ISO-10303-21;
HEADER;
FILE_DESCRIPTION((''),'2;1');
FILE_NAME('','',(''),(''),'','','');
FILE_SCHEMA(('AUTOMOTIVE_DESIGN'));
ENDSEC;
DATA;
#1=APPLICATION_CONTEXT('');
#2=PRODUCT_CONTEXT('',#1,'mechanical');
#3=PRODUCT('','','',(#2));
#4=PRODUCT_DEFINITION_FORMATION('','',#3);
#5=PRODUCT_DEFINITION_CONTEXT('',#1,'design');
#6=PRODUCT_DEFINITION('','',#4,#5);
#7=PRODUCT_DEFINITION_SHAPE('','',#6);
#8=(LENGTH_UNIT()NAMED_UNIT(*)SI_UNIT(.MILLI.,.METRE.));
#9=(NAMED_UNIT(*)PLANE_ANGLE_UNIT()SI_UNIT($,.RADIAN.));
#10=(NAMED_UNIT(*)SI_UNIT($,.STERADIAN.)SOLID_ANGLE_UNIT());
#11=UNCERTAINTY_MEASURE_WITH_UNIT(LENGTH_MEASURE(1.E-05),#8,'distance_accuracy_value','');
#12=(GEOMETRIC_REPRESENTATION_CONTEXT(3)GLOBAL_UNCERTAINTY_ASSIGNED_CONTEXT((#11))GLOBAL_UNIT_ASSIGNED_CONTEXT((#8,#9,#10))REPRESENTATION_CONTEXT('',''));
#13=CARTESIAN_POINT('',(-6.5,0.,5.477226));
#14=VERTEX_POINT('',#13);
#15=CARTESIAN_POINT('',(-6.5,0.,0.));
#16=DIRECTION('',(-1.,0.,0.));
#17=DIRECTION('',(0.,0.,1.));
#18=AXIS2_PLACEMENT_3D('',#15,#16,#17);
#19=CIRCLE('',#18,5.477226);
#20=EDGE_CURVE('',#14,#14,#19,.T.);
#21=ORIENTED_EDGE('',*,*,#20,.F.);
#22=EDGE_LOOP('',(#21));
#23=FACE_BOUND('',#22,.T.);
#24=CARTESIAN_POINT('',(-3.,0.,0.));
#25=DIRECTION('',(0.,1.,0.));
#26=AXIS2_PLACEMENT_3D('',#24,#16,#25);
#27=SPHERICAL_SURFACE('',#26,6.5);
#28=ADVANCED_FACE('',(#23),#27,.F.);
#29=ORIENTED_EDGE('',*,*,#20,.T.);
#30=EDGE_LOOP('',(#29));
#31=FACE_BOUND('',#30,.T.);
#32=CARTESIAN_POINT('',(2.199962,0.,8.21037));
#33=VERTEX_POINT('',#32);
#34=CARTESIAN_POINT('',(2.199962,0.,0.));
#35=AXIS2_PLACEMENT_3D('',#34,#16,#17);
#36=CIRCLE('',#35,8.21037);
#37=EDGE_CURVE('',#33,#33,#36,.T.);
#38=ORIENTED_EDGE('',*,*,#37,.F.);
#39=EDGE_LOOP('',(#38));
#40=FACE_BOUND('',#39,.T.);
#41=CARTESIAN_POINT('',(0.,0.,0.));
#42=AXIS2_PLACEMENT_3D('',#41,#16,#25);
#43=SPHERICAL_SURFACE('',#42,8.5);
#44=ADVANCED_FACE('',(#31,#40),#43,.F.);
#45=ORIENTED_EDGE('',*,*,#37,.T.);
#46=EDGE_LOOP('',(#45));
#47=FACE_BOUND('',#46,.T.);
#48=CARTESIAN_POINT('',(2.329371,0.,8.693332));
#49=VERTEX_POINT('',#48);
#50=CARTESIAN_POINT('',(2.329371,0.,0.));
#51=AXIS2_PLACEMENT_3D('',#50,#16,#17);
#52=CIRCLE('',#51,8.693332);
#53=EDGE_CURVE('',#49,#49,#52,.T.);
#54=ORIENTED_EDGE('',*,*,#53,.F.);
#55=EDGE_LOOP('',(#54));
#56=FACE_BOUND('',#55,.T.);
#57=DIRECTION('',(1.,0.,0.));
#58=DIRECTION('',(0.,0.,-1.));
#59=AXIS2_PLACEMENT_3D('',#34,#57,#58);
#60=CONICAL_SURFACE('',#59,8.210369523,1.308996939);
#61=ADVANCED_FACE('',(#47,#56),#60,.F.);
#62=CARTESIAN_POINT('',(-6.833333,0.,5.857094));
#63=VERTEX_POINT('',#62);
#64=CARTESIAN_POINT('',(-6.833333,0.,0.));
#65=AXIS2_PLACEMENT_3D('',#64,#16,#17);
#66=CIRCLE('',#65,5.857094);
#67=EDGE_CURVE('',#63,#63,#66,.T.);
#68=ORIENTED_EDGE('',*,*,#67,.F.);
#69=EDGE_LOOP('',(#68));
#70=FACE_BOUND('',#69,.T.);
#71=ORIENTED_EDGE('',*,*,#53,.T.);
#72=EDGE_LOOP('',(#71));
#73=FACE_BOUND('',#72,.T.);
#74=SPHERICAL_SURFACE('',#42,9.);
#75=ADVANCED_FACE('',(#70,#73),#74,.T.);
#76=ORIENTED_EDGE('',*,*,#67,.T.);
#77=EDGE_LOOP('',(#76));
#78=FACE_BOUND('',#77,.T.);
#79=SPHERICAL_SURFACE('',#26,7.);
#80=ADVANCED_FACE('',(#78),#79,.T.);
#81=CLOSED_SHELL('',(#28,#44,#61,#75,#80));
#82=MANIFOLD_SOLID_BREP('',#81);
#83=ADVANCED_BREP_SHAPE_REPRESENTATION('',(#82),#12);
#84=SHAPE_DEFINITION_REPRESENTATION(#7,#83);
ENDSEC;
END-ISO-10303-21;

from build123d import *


with BuildPart() as part:
    # Sketch1 → Revolve1 (revolve)
    with BuildSketch(Plane.XY):
        with BuildLine():
            Line((-9.5, 0), (-10, 0))
            ThreePointArc((-10, 0), (-9.157651067, 3.329164059), (-6.833333333, 5.857094464))
            ThreePointArc((-6.833333333, 5.857094464), (-2.661292866, 8.597529894), (2.329371406, 8.693332437))
            Line((2.329371406, 8.693332437), (2.199961883, 8.210369523))
            ThreePointArc((2.199961883, 8.210369523), (-2.547567646, 8.109247751), (-6.5, 5.477225575))
            ThreePointArc((-6.5, 5.477225575), (-8.700877125, 3.122498999), (-9.5, 0))
        make_face()
    revolve(axis=Axis((-10, 0, 0), (1, 0, 0)))


solid = part.part
